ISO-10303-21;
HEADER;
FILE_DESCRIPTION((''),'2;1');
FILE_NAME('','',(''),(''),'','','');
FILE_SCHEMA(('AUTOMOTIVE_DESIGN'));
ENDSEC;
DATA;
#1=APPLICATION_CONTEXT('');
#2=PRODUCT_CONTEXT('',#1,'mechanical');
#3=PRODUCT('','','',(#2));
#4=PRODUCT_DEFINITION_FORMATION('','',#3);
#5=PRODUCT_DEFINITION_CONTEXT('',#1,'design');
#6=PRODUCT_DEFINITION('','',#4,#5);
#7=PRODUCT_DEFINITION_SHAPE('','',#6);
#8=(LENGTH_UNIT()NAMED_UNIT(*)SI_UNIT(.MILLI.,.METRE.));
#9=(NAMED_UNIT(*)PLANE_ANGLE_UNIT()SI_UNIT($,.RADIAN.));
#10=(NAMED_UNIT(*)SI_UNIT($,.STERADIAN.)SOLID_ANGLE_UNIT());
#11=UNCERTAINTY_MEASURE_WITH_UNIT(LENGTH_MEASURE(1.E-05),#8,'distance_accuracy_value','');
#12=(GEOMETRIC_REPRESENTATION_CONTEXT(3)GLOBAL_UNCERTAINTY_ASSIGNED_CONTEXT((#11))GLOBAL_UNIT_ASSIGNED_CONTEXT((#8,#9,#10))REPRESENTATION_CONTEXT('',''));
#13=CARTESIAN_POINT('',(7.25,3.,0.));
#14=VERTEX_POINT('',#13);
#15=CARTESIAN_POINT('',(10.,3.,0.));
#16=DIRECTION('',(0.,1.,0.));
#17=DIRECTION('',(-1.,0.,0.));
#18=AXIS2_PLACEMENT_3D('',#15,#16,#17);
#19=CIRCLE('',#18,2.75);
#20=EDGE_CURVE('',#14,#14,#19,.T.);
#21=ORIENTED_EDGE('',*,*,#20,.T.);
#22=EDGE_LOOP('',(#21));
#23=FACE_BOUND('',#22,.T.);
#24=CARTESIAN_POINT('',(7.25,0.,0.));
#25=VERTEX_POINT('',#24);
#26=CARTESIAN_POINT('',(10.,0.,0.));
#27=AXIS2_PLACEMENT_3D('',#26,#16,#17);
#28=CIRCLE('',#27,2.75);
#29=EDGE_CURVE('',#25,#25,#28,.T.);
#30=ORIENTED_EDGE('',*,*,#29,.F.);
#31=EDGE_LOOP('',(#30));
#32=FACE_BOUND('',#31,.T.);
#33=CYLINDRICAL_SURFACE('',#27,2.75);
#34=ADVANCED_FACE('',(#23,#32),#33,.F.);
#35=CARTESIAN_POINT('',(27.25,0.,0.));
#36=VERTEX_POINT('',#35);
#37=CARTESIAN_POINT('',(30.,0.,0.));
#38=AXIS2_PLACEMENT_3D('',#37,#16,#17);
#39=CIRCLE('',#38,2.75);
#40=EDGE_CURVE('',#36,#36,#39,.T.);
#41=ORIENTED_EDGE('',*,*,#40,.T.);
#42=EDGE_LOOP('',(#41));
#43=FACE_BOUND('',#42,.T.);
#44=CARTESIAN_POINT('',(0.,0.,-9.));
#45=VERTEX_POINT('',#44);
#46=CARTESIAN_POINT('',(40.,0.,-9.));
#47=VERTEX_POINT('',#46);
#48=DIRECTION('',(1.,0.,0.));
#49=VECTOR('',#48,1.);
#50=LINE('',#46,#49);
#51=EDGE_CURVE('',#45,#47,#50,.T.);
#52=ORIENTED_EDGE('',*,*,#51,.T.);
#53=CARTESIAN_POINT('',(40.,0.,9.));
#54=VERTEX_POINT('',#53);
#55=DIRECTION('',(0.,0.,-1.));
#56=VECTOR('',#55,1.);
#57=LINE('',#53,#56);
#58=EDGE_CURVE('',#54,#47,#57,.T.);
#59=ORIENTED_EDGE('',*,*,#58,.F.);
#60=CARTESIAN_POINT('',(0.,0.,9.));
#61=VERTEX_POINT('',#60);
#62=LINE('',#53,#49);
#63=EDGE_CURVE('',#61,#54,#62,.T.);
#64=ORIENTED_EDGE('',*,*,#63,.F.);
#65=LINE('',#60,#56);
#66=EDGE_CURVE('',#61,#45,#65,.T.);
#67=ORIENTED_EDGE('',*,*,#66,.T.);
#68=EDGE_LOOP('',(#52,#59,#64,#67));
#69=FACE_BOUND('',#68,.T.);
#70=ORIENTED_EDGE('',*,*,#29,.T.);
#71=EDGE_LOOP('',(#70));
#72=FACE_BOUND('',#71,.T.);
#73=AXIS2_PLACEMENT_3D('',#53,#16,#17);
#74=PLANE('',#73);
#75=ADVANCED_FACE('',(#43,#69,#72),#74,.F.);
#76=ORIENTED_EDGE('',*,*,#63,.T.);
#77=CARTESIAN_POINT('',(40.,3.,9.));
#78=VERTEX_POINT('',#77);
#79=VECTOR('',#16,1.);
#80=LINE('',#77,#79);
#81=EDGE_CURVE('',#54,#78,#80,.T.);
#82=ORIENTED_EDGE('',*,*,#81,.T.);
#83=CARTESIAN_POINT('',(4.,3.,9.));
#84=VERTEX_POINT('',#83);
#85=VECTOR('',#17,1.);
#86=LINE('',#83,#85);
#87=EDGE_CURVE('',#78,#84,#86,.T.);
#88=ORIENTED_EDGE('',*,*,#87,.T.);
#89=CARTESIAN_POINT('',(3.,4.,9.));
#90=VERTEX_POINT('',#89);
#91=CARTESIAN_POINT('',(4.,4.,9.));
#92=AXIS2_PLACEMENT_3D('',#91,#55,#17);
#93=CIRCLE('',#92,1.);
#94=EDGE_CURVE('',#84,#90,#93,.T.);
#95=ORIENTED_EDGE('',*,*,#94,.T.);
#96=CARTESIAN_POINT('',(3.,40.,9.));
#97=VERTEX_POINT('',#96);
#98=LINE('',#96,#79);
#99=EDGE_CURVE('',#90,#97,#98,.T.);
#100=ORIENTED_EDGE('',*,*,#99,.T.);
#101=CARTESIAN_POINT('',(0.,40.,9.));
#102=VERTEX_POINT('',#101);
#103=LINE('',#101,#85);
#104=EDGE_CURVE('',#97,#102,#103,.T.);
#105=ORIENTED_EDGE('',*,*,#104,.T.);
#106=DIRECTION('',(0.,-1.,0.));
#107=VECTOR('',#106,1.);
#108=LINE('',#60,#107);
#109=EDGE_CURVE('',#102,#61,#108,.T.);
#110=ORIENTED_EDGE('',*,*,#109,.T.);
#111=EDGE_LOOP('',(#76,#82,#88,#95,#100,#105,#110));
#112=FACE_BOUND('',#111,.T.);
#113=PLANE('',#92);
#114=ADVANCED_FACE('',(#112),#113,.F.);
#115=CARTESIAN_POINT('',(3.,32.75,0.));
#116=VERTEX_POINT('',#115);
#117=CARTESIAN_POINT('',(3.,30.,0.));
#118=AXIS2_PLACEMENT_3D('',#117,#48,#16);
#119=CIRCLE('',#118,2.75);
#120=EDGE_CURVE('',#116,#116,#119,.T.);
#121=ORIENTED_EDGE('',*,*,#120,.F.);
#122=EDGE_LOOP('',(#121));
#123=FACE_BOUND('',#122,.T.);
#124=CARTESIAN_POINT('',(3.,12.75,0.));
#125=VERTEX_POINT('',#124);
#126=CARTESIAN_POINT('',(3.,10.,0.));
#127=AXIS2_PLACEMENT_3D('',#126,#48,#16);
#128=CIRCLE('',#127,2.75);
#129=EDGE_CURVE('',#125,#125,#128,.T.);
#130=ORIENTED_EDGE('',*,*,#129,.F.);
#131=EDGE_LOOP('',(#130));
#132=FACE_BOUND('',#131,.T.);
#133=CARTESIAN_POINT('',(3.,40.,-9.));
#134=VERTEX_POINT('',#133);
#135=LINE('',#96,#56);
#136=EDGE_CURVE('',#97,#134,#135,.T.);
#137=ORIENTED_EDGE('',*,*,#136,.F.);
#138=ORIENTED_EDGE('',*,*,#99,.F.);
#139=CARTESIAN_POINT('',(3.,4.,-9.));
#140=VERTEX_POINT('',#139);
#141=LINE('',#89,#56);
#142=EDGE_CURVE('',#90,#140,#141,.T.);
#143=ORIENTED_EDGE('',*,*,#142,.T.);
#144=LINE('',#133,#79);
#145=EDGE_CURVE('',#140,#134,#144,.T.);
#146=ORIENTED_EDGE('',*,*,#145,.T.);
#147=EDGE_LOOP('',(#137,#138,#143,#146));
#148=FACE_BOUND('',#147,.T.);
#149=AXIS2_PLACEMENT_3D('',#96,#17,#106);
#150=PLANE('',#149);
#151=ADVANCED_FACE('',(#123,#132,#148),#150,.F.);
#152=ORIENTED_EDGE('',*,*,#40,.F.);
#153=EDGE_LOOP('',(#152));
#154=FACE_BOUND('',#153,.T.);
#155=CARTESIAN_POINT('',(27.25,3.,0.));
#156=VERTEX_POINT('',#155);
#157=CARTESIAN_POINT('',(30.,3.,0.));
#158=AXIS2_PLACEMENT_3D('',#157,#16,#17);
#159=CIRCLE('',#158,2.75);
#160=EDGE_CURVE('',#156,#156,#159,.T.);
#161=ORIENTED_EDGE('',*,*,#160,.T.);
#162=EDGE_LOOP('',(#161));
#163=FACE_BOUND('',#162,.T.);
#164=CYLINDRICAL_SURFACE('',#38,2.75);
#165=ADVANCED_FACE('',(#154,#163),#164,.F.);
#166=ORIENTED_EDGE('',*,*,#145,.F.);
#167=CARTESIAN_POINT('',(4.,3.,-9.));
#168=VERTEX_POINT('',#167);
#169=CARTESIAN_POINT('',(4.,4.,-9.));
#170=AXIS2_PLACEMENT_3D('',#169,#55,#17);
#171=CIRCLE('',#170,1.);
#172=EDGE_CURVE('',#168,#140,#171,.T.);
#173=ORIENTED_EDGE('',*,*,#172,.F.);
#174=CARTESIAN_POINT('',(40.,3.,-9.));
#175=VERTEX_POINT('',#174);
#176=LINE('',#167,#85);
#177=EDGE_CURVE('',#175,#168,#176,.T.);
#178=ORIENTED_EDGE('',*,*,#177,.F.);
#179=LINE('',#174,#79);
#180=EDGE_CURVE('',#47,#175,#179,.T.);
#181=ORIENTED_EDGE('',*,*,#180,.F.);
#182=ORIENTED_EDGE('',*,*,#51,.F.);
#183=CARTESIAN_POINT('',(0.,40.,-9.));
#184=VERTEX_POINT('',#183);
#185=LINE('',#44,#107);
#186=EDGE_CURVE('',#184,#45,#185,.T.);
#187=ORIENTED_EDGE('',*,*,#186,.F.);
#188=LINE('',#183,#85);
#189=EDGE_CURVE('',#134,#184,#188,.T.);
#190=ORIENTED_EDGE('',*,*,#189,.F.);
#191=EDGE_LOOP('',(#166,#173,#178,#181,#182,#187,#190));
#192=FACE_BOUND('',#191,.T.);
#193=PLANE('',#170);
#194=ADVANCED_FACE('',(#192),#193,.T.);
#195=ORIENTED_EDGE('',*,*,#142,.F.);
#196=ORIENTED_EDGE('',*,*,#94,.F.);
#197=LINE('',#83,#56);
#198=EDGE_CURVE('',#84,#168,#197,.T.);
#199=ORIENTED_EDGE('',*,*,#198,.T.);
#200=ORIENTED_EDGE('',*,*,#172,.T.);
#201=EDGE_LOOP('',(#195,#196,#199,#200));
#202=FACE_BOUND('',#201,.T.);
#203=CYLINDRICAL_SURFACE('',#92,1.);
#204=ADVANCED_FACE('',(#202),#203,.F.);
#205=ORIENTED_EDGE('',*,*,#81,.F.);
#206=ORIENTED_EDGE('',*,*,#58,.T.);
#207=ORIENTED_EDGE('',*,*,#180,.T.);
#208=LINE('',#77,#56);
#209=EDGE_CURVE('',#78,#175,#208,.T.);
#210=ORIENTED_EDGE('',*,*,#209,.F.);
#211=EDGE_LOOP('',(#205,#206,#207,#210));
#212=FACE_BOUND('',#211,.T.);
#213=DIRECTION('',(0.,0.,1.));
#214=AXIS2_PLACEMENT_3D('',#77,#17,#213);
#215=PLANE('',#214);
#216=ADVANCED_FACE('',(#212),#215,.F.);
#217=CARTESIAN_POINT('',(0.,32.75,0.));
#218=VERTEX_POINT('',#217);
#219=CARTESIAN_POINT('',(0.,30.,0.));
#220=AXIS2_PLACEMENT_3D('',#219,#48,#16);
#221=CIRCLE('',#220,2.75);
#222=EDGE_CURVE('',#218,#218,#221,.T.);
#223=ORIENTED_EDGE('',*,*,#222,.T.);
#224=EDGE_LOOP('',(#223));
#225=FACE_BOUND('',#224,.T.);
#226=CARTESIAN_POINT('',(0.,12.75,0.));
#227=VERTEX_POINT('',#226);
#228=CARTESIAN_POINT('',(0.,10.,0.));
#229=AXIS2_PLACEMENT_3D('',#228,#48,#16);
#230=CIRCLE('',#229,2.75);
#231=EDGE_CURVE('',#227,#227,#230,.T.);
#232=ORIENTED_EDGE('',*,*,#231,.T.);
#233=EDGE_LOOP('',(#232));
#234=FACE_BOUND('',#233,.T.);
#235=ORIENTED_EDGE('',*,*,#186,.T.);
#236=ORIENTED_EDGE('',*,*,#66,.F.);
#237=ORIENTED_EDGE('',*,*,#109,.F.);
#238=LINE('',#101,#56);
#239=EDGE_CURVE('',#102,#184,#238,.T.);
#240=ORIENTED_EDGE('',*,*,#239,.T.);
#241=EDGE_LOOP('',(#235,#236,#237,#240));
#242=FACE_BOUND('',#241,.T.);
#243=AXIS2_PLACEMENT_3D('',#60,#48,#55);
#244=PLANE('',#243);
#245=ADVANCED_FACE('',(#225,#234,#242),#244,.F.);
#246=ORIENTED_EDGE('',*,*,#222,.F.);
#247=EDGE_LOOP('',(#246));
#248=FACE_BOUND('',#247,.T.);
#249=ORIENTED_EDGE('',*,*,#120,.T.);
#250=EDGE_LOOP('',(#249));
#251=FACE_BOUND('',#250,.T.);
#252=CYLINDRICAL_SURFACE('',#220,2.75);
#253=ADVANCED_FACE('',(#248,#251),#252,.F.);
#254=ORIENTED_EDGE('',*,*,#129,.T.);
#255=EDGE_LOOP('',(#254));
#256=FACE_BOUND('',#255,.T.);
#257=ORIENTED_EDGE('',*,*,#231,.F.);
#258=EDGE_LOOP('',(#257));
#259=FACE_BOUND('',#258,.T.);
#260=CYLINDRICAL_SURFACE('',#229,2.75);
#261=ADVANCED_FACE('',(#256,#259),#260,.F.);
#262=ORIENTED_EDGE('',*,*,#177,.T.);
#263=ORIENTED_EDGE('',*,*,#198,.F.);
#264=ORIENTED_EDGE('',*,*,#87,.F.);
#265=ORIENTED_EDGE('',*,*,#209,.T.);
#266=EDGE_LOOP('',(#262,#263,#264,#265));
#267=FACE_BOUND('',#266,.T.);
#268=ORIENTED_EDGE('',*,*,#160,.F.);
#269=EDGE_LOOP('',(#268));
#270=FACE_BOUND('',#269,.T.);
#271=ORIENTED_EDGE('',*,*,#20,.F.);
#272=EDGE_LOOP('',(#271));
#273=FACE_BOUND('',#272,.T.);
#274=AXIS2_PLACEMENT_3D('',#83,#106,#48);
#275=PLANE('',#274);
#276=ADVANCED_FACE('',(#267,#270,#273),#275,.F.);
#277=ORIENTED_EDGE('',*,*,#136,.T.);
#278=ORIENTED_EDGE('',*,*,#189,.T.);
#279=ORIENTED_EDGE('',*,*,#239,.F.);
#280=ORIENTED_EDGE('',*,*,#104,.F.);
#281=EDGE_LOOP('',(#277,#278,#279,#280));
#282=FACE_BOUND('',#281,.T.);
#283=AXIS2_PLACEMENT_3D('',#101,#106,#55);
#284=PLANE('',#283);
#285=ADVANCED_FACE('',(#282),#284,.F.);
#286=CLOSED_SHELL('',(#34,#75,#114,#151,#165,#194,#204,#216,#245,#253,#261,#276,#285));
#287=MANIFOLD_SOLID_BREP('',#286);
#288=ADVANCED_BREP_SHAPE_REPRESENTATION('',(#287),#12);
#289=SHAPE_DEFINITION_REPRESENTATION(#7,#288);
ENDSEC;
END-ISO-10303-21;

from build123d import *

# Parameters (mm, degrees)
BOSS_EXTRUDE1_DEPTH = 9
SKETCH2_R           = 2.75
CUT_EXTRUDE1_DEPTH  = 4
SKETCH3_R           = 2.75
CUT_EXTRUDE2_DEPTH  = 4


with BuildPart() as part:
    # Sketch1 → Boss-Extrude1 (new body, symmetric)
    with BuildSketch(Plane.XY):
        with BuildLine():
            Line((0, 0), (0, 40))
            Line((0, 40), (3, 40))
            Line((3, 40), (3, 4))
            ThreePointArc((3, 4), (3.292893219, 3.292893219), (4, 3))
            Line((4, 3), (40, 3))
            Line((40, 3), (40, 0))
            Line((40, 0), (0, 0))
        make_face()
    extrude(amount=BOSS_EXTRUDE1_DEPTH, both=True)

    # Sketch2 → Cut-Extrude1 (cut, through all)
    with BuildSketch(Plane(origin=(3, 0, 0), x_dir=(0, 0, -1), z_dir=(1, 0, 0))):
        with Locations((0, 10)):
            Circle(SKETCH2_R)
        with Locations((0, 30)):
            Circle(SKETCH2_R)
    extrude(amount=-CUT_EXTRUDE1_DEPTH, mode=Mode.SUBTRACT)

    # Sketch3 → Cut-Extrude2 (cut, through all)
    with BuildSketch(Plane(origin=(0, 3, 0), x_dir=(1, 0, 0), z_dir=(0, 1, 0))):
        with Locations((10, 0)):
            Circle(SKETCH3_R)
        with Locations((30, 0)):
            Circle(SKETCH3_R)
    extrude(amount=-CUT_EXTRUDE2_DEPTH, mode=Mode.SUBTRACT)


solid = part.part
